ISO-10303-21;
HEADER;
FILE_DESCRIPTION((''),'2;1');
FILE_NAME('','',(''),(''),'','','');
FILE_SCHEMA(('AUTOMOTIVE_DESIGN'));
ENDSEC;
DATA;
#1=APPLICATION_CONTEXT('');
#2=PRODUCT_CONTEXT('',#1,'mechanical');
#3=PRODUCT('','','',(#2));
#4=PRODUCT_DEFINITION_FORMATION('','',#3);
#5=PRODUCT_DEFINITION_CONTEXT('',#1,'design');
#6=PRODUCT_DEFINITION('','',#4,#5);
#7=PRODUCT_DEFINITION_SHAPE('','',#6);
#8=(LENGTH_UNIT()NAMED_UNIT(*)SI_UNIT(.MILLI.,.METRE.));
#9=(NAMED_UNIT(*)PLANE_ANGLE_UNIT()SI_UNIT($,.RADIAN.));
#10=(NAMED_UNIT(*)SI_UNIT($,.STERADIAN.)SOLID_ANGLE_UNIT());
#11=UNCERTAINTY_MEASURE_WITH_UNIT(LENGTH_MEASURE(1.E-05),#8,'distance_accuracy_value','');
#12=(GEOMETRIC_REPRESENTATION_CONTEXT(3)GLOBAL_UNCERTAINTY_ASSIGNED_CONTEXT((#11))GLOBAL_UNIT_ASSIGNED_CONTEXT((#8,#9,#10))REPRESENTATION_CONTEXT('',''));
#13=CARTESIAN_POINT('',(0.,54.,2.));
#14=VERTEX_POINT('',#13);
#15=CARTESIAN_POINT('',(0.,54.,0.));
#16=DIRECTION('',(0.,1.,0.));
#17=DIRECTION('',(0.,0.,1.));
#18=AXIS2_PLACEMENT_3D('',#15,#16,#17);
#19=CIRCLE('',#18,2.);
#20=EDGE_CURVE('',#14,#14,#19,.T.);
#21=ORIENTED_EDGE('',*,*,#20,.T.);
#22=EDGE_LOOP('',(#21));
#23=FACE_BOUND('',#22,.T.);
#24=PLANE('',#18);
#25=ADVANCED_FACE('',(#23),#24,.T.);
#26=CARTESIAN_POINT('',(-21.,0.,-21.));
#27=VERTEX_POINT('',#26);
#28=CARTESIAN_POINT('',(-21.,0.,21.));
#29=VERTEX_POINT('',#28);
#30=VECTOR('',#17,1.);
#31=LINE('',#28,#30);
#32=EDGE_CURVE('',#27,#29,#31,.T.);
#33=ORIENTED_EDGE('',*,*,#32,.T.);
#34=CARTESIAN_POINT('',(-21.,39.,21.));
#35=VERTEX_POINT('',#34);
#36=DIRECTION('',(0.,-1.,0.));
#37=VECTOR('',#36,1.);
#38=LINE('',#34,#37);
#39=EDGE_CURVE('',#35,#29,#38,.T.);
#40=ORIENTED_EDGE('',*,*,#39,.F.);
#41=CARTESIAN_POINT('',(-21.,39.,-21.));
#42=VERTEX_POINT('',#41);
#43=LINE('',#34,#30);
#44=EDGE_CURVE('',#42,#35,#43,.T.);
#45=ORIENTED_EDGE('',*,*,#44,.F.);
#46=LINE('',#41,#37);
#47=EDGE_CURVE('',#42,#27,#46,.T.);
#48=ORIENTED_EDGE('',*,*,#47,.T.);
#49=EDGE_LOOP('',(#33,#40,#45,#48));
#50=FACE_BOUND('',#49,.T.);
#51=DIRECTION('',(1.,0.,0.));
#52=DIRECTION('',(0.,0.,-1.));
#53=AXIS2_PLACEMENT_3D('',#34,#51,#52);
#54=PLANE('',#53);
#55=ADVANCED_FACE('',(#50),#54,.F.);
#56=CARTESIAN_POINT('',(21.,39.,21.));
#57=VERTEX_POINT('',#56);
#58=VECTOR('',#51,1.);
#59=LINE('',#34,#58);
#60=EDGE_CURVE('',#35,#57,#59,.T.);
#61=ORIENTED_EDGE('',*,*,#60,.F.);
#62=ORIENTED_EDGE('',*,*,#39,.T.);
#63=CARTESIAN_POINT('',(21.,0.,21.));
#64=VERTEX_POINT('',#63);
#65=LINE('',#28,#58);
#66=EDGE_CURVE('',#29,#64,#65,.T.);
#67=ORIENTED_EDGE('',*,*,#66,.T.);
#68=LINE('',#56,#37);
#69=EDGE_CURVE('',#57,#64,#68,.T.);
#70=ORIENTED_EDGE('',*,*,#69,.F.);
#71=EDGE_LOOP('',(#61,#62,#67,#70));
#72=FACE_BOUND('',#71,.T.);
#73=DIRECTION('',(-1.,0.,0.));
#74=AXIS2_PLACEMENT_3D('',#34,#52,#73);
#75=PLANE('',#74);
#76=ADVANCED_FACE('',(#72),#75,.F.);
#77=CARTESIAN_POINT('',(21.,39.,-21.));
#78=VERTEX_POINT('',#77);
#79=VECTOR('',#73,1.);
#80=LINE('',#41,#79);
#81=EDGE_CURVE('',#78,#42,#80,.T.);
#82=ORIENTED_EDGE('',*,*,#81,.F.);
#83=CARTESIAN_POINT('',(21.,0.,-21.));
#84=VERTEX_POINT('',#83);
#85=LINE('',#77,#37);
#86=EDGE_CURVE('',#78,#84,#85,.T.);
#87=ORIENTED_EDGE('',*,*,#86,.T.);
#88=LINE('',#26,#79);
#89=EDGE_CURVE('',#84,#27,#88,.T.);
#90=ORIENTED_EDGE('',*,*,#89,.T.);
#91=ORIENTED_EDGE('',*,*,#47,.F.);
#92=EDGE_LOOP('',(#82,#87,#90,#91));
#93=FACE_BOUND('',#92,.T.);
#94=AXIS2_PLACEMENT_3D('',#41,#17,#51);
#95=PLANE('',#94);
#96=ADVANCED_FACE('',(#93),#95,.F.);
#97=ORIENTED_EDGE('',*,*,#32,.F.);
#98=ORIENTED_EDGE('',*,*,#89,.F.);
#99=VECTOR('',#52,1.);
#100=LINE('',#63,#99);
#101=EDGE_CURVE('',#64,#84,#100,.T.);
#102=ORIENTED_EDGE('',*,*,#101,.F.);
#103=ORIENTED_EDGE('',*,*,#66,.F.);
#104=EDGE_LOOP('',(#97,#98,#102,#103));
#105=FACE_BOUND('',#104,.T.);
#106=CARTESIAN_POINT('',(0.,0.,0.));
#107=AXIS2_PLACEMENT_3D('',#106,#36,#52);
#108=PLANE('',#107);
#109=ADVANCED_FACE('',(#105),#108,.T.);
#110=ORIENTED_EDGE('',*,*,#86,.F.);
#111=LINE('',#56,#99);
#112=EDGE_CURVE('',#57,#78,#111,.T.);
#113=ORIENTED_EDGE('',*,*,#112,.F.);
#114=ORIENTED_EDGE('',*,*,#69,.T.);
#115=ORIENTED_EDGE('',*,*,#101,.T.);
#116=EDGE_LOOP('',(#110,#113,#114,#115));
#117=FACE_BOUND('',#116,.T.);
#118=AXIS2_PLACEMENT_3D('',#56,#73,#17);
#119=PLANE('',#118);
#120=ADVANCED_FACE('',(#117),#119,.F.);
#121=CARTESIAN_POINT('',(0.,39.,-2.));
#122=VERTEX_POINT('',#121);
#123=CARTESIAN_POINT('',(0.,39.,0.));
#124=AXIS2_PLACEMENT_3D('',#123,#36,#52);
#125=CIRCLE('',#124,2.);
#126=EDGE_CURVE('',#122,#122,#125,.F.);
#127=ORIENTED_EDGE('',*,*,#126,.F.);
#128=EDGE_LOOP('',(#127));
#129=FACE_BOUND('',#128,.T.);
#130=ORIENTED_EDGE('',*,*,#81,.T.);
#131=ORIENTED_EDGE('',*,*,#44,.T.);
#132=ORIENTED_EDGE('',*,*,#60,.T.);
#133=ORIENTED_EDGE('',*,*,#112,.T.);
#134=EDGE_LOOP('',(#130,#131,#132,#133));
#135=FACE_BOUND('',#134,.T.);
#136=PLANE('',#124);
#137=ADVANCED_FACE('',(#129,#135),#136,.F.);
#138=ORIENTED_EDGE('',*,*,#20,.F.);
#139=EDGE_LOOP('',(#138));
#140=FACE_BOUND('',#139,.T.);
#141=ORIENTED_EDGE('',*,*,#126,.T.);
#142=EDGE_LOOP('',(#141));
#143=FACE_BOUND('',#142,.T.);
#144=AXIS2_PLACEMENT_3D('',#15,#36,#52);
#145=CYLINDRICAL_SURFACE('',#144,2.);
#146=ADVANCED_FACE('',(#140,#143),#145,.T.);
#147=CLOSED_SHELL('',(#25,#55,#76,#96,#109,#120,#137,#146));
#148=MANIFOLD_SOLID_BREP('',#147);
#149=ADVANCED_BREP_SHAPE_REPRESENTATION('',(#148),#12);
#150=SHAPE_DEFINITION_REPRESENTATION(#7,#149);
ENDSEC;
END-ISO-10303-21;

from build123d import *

# Parameters (mm, degrees)
ESQUISSE1_W        = 42
ESQUISSE1_H        = 42
BOSS_EXTRU_1_DEPTH = 39
ESQUISSE4_R        = 2
BOSS_EXTRU_2_DEPTH = 15


with BuildPart() as part:
    # Esquisse1 → Boss.-Extru.1 (new body)
    with BuildSketch(Plane(origin=(0, 0, 0), x_dir=(1, 0, 0), z_dir=(0, 1, 0))):
        Rectangle(ESQUISSE1_W, ESQUISSE1_H)
    extrude(amount=BOSS_EXTRU_1_DEPTH)

    # Esquisse4 → Boss.-Extru.2 (add)
    with BuildSketch(Plane(origin=(0, 39, 0), x_dir=(1, 0, 0), z_dir=(0, 1, 0))):
        with Locations(Location((0, 0, 0), (0, 0, 90))):
            Circle(ESQUISSE4_R)
    extrude(amount=BOSS_EXTRU_2_DEPTH)


solid = part.part
